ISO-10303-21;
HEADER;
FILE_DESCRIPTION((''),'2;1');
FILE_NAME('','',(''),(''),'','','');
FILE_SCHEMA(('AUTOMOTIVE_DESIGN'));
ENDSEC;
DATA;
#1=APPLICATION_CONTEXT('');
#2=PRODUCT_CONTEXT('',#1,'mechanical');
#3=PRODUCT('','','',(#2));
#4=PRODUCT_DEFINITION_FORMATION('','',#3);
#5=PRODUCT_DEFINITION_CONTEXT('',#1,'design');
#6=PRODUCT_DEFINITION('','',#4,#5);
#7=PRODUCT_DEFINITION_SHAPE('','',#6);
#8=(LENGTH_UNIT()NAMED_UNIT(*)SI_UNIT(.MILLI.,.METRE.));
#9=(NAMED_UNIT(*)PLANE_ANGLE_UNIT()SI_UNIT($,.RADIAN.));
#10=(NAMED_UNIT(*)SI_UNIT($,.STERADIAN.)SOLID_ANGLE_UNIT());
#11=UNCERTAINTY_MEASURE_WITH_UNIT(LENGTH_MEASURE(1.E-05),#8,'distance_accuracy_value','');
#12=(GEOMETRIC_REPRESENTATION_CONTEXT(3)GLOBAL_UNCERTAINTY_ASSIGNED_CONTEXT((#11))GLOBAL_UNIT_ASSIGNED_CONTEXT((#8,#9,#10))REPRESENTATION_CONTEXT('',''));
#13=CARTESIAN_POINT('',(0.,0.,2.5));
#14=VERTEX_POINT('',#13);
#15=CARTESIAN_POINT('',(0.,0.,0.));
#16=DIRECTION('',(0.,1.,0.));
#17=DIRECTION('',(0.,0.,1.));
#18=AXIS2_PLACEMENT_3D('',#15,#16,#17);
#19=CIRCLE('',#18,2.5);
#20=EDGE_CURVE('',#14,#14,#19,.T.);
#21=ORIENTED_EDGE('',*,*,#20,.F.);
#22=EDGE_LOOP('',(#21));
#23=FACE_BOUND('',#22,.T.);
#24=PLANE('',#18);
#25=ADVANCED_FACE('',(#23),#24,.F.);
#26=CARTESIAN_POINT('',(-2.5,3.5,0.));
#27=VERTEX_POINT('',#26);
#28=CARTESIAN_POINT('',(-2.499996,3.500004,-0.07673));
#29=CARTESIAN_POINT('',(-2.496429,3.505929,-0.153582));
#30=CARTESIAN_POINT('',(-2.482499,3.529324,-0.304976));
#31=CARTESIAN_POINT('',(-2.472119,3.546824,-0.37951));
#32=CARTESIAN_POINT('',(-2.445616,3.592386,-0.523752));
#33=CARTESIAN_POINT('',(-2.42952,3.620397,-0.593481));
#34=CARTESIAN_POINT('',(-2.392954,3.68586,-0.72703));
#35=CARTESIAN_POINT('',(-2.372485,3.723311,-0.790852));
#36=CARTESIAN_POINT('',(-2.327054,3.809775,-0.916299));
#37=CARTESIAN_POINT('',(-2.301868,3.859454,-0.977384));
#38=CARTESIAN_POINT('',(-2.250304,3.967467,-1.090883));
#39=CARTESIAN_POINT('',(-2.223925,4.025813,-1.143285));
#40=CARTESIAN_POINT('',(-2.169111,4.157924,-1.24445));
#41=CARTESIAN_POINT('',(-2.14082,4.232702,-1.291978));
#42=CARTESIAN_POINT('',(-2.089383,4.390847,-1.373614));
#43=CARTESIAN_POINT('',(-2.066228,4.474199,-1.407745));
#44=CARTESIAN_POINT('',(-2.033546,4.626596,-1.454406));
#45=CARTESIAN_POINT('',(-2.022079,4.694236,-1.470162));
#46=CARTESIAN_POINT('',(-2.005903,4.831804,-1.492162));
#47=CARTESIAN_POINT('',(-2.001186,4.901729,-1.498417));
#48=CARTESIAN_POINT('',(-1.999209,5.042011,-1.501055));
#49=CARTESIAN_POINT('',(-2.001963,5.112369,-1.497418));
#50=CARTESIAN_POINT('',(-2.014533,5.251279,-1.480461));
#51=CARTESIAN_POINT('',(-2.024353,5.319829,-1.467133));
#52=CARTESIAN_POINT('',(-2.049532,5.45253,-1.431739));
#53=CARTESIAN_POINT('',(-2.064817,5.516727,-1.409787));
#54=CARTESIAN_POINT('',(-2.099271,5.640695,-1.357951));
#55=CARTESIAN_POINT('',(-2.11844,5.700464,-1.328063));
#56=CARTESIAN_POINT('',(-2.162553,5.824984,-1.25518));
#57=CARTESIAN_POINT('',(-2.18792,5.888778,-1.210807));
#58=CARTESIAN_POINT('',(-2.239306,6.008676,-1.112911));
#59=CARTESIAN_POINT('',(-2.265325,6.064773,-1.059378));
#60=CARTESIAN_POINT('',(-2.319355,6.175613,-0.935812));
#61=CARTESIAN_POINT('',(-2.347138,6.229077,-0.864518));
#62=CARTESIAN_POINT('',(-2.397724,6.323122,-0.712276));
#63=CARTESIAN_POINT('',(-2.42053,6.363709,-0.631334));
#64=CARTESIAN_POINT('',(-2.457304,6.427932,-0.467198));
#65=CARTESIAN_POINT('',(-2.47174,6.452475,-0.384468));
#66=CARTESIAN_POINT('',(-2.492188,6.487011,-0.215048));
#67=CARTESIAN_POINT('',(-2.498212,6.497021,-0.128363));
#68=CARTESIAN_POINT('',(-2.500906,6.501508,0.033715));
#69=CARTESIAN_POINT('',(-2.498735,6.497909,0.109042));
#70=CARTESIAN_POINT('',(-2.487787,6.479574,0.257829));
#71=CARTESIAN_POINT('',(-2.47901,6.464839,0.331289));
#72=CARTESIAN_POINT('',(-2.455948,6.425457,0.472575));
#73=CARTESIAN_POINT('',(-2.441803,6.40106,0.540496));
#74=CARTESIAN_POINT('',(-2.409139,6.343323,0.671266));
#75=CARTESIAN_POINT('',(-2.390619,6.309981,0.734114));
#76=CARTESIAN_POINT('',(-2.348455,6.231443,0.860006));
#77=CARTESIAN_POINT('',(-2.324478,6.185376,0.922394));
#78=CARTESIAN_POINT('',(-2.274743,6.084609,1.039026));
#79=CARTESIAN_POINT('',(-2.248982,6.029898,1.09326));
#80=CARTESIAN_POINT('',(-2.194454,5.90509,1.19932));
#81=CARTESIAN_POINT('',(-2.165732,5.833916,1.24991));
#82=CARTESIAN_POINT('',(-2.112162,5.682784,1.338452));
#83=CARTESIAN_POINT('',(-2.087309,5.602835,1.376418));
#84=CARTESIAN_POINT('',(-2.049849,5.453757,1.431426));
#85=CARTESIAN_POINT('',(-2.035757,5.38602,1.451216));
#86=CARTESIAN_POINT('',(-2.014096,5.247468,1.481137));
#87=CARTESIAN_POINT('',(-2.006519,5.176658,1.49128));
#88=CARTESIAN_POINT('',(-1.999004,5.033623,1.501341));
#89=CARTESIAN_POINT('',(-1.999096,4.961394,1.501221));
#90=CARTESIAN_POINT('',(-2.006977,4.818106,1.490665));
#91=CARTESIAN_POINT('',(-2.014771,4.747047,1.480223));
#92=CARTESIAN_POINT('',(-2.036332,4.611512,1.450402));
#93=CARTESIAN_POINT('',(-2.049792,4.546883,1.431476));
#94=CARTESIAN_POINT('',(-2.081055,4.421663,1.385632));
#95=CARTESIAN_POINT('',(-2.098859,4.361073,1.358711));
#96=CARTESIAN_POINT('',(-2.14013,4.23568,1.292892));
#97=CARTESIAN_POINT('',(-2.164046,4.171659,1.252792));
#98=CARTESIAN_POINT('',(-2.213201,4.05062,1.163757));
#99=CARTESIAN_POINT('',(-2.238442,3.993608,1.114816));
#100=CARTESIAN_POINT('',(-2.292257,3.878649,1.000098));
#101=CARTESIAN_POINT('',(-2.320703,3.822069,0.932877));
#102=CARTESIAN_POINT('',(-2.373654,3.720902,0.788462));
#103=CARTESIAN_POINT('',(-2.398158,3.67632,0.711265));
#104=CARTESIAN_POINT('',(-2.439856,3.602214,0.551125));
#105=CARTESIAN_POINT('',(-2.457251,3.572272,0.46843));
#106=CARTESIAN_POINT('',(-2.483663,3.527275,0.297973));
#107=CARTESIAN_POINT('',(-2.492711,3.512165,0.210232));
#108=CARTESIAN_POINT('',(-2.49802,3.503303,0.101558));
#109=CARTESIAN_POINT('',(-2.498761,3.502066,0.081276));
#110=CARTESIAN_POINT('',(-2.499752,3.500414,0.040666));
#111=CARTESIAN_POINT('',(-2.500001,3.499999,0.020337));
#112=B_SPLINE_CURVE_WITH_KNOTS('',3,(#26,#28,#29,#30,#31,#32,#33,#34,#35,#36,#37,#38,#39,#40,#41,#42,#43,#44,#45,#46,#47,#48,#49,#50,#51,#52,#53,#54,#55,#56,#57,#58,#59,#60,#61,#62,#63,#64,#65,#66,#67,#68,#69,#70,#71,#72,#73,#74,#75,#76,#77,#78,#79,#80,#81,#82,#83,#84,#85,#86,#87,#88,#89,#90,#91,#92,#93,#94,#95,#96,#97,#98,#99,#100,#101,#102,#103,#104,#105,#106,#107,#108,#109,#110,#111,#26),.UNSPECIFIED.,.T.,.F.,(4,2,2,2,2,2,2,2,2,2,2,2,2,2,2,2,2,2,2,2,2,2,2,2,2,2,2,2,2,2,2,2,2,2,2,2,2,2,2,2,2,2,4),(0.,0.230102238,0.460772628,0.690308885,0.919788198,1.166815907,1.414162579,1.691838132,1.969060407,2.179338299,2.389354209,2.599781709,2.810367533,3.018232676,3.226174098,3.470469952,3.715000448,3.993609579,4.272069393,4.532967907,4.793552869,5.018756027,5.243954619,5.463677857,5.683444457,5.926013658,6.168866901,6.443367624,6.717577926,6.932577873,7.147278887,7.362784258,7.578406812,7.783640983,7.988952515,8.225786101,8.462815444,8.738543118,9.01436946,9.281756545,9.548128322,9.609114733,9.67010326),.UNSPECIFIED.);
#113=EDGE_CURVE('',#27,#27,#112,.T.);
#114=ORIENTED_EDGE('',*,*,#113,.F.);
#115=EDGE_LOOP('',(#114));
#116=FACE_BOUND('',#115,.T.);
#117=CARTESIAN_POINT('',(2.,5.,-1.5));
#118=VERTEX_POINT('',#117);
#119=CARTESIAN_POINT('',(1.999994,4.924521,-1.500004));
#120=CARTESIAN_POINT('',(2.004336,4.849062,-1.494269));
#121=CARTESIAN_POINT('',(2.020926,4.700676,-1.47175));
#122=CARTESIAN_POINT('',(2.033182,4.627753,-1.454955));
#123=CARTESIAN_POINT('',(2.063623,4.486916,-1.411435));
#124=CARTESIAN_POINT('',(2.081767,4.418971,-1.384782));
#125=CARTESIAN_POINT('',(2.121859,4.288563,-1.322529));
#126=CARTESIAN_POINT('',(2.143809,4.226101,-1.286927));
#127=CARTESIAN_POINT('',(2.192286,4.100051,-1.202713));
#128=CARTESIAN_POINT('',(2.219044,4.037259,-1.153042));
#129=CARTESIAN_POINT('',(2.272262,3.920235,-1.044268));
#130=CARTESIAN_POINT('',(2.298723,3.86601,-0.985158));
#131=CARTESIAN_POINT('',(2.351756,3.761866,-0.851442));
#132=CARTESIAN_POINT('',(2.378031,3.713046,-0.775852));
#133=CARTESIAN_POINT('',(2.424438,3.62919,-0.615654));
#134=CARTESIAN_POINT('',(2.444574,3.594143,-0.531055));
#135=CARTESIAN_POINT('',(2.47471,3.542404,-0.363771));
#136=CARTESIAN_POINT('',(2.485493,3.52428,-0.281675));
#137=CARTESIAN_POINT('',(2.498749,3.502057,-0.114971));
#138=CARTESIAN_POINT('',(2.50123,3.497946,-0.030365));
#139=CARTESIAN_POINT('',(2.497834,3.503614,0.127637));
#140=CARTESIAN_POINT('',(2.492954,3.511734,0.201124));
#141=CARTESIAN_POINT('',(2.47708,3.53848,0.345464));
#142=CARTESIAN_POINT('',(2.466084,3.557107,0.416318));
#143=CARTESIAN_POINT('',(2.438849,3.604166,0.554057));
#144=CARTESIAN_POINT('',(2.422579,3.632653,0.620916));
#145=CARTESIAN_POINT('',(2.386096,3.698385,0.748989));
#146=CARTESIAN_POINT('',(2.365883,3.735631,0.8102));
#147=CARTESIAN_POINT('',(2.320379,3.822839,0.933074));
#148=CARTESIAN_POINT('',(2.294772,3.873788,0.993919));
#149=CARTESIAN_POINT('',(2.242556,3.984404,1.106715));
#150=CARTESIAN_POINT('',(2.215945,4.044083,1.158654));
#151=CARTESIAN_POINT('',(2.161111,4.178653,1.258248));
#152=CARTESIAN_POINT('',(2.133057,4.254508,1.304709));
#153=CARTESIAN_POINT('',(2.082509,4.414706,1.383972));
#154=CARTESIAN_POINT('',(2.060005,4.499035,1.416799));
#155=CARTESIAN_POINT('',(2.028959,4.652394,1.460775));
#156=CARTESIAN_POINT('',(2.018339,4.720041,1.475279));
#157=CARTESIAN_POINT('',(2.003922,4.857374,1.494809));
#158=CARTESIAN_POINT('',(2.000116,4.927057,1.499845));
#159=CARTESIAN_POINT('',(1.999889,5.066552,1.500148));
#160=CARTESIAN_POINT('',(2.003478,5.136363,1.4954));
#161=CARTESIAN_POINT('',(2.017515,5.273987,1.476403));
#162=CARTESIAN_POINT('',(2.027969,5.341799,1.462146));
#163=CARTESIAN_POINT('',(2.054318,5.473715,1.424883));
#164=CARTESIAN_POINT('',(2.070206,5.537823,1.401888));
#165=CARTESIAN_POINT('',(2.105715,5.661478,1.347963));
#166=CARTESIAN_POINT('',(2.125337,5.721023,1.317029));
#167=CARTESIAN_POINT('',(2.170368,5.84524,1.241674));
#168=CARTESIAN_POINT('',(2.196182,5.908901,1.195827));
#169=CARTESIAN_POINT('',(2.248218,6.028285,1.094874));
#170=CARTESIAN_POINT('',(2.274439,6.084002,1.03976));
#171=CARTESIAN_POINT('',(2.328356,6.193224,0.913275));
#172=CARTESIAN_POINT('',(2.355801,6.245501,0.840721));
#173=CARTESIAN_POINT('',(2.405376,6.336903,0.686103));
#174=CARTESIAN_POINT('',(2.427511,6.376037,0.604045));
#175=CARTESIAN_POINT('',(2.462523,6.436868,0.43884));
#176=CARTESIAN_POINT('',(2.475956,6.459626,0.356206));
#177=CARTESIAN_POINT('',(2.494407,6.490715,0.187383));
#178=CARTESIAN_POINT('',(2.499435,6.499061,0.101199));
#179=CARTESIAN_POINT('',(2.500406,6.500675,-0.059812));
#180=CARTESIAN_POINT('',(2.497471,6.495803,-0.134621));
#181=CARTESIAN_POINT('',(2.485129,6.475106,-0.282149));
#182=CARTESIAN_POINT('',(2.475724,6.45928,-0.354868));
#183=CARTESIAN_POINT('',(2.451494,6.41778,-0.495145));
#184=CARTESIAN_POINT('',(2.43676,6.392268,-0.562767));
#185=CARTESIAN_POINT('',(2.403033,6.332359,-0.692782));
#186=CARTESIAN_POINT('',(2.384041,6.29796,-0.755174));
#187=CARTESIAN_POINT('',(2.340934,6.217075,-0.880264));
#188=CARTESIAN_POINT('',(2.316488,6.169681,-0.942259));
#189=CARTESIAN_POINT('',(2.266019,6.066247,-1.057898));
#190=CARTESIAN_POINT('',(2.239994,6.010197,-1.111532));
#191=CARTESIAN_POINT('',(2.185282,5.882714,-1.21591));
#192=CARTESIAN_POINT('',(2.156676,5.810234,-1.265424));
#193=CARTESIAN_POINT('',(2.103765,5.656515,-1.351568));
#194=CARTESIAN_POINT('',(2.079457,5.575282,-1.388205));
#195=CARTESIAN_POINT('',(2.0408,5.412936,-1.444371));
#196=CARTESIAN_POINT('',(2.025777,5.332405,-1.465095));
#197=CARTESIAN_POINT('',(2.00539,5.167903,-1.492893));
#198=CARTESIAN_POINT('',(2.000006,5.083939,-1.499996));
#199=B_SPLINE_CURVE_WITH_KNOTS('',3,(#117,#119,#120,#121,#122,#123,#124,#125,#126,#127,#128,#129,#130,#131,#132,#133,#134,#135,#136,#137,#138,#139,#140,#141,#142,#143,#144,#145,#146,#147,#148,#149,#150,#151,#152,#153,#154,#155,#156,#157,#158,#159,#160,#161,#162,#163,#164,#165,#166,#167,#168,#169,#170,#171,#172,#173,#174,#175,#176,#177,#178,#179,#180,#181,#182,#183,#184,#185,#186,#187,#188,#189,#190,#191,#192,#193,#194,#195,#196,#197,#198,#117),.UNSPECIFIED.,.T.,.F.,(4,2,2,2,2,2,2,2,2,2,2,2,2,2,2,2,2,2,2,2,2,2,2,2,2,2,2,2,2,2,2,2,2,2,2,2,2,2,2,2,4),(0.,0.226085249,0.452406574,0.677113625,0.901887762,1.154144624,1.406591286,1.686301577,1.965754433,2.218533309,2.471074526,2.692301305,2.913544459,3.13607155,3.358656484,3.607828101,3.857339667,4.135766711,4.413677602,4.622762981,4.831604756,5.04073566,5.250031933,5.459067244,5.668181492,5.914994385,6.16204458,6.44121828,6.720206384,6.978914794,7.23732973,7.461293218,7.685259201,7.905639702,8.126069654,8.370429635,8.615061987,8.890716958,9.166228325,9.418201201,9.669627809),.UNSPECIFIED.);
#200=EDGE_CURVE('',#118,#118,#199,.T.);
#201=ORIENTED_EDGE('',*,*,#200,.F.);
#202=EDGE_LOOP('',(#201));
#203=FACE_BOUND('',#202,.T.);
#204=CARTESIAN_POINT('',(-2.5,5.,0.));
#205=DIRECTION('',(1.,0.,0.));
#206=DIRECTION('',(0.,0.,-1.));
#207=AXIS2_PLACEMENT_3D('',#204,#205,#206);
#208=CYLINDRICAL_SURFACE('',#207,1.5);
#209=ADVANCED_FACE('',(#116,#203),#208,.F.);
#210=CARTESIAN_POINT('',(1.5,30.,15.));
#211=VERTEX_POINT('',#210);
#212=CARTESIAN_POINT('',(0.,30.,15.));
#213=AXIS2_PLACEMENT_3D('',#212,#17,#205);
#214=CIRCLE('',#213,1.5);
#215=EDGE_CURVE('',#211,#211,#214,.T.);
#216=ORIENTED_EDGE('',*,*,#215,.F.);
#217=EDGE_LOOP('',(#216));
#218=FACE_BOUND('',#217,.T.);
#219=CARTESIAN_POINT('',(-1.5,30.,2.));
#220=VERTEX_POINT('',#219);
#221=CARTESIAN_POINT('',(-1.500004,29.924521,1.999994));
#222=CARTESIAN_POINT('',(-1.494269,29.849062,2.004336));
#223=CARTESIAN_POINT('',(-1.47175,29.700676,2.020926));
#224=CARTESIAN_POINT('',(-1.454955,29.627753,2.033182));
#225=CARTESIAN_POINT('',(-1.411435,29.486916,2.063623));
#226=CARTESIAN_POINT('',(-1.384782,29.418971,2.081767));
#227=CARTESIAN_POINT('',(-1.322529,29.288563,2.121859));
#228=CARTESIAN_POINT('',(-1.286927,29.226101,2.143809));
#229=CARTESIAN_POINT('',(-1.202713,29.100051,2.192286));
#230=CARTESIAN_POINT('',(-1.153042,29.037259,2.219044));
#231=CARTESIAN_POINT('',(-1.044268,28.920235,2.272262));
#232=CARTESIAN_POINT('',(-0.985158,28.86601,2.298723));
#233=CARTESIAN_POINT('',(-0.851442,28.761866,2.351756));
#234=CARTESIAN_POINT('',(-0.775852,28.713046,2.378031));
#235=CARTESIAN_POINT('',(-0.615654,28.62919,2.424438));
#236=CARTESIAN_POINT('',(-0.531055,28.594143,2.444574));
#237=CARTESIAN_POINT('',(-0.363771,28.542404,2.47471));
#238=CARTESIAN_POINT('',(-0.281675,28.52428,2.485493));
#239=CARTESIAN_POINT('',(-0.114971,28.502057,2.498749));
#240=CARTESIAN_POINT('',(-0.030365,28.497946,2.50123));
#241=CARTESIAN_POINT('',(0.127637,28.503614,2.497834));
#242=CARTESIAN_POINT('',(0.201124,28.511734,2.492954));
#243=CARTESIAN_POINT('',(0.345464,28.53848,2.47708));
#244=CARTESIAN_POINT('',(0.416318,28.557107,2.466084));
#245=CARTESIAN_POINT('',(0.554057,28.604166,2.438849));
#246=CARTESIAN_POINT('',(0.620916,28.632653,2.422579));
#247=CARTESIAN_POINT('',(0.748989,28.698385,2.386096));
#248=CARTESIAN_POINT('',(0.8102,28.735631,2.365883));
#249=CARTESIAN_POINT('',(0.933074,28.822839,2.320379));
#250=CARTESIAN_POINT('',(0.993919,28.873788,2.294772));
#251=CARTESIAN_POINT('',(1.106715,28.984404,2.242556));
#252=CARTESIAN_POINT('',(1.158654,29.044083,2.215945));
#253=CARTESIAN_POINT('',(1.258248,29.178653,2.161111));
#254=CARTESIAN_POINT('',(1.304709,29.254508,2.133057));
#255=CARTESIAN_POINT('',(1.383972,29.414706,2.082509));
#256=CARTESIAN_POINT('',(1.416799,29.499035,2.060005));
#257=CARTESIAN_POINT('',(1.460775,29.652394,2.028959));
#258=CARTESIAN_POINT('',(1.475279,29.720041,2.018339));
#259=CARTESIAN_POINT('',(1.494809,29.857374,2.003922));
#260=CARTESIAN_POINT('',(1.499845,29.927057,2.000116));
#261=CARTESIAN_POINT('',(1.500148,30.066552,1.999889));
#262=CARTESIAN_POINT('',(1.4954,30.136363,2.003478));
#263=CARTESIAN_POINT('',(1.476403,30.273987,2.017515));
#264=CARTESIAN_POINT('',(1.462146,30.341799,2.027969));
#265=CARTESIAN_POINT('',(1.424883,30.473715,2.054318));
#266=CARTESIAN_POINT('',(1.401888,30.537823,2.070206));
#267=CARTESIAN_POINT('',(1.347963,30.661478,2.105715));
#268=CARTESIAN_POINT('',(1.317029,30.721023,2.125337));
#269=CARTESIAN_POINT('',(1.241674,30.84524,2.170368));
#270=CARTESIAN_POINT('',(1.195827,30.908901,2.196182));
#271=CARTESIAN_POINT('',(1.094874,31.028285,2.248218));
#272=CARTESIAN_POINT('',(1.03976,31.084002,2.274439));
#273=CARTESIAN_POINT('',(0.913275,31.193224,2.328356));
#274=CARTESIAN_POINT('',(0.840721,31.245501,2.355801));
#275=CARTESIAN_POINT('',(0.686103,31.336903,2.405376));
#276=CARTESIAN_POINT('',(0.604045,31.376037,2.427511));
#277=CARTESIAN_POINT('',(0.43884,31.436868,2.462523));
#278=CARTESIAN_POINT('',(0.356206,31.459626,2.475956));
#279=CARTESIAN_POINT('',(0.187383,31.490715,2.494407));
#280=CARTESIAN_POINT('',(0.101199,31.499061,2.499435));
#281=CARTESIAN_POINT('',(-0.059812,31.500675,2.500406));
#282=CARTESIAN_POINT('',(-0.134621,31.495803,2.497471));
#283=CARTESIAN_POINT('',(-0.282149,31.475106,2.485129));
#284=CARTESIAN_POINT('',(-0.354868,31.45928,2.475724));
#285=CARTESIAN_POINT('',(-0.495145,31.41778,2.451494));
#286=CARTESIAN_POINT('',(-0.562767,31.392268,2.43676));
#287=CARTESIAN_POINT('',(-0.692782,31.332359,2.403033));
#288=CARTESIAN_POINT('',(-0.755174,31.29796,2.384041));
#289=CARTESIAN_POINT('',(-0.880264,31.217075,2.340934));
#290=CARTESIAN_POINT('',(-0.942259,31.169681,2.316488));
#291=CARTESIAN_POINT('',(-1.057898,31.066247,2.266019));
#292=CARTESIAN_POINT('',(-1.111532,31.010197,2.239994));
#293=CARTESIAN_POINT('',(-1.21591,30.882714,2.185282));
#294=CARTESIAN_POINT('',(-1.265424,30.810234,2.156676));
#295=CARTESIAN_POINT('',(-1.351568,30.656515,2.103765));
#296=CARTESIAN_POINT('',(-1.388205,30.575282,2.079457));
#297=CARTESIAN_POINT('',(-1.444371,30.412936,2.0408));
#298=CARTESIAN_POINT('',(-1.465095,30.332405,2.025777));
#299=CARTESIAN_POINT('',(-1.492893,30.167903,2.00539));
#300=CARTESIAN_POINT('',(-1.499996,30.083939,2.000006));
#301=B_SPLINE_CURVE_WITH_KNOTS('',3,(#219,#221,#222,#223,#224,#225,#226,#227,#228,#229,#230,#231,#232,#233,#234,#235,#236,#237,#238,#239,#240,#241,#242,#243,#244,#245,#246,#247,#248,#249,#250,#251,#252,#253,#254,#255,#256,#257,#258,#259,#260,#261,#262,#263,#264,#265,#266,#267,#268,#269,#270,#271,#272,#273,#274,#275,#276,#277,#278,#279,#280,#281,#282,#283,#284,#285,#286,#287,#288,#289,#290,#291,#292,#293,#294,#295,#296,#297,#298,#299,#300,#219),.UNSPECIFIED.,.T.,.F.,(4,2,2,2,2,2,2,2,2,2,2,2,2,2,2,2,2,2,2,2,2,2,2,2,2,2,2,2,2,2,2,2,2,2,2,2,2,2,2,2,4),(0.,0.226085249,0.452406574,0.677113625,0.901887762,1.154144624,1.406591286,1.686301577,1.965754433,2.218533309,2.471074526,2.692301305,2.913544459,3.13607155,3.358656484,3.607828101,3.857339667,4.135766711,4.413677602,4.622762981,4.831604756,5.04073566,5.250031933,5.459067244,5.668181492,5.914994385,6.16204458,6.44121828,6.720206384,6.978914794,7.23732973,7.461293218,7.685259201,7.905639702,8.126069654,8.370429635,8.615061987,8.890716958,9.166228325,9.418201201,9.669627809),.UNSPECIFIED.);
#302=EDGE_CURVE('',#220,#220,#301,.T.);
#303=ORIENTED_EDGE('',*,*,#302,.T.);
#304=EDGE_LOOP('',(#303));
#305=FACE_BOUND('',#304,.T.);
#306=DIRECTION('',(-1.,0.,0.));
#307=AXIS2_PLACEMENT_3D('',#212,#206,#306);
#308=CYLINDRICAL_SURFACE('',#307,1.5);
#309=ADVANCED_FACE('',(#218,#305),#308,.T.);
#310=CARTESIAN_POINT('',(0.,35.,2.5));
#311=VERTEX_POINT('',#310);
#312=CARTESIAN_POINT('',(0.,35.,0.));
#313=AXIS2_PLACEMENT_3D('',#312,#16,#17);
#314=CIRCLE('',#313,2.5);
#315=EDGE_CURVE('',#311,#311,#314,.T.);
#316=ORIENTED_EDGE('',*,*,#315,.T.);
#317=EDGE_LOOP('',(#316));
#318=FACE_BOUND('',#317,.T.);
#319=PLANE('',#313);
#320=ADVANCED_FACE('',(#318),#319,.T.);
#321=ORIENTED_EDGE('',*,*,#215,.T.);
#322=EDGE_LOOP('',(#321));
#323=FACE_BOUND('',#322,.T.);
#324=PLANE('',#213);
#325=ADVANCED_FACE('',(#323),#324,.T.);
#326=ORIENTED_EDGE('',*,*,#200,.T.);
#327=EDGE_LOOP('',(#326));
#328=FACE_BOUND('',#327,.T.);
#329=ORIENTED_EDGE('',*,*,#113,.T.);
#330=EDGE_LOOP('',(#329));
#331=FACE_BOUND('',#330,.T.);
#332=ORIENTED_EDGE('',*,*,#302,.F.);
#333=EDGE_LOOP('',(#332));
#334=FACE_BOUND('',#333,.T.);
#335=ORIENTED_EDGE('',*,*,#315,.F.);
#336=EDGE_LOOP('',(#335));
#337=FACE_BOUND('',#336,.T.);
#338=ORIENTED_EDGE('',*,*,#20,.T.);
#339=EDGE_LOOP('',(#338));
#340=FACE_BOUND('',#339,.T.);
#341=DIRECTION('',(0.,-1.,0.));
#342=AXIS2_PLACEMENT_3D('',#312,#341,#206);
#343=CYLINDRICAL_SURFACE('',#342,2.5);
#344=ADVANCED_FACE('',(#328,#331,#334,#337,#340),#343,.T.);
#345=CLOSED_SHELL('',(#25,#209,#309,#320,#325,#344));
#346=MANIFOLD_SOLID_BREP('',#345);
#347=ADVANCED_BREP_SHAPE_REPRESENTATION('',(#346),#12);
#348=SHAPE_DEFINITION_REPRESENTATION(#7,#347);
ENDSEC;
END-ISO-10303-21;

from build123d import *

# Parameters (mm, degrees)
SKETCH1_R               = 2.5
BOSS_EXTRUDE1_DEPTH     = 35
SKETCH2_R               = 1.5
CUT_EXTRUDE1_DEPTH      = 3.5
CUT_EXTRUDE1_DEPTH_BACK = 3.5
SKETCH4_R               = 1.5
BOSS_EXTRUDE3_DEPTH     = 15


with BuildPart() as part:
    # Sketch1 → Boss-Extrude1 (new body)
    with BuildSketch(Plane(origin=(0, 0, 0), x_dir=(1, 0, 0), z_dir=(0, 1, 0))):
        Circle(SKETCH1_R)
    extrude(amount=BOSS_EXTRUDE1_DEPTH)

    # Sketch2 → Cut-Extrude1 (cut, two sides)
    with BuildSketch(Plane(origin=(0, 0, 0), x_dir=(0, 0, -1), z_dir=(1, 0, 0))) as cut_extrude1_sk:
        with Locations((0, 5)):
            Circle(SKETCH2_R)
    extrude(amount=CUT_EXTRUDE1_DEPTH, mode=Mode.SUBTRACT)
    extrude(cut_extrude1_sk.sketch, amount=-CUT_EXTRUDE1_DEPTH_BACK, mode=Mode.SUBTRACT)

    # Sketch4 → Boss-Extrude3 (add)
    with BuildSketch(Plane.XY):
        with Locations((0, 30)):
            Circle(SKETCH4_R)
    extrude(amount=BOSS_EXTRUDE3_DEPTH)


solid = part.part
